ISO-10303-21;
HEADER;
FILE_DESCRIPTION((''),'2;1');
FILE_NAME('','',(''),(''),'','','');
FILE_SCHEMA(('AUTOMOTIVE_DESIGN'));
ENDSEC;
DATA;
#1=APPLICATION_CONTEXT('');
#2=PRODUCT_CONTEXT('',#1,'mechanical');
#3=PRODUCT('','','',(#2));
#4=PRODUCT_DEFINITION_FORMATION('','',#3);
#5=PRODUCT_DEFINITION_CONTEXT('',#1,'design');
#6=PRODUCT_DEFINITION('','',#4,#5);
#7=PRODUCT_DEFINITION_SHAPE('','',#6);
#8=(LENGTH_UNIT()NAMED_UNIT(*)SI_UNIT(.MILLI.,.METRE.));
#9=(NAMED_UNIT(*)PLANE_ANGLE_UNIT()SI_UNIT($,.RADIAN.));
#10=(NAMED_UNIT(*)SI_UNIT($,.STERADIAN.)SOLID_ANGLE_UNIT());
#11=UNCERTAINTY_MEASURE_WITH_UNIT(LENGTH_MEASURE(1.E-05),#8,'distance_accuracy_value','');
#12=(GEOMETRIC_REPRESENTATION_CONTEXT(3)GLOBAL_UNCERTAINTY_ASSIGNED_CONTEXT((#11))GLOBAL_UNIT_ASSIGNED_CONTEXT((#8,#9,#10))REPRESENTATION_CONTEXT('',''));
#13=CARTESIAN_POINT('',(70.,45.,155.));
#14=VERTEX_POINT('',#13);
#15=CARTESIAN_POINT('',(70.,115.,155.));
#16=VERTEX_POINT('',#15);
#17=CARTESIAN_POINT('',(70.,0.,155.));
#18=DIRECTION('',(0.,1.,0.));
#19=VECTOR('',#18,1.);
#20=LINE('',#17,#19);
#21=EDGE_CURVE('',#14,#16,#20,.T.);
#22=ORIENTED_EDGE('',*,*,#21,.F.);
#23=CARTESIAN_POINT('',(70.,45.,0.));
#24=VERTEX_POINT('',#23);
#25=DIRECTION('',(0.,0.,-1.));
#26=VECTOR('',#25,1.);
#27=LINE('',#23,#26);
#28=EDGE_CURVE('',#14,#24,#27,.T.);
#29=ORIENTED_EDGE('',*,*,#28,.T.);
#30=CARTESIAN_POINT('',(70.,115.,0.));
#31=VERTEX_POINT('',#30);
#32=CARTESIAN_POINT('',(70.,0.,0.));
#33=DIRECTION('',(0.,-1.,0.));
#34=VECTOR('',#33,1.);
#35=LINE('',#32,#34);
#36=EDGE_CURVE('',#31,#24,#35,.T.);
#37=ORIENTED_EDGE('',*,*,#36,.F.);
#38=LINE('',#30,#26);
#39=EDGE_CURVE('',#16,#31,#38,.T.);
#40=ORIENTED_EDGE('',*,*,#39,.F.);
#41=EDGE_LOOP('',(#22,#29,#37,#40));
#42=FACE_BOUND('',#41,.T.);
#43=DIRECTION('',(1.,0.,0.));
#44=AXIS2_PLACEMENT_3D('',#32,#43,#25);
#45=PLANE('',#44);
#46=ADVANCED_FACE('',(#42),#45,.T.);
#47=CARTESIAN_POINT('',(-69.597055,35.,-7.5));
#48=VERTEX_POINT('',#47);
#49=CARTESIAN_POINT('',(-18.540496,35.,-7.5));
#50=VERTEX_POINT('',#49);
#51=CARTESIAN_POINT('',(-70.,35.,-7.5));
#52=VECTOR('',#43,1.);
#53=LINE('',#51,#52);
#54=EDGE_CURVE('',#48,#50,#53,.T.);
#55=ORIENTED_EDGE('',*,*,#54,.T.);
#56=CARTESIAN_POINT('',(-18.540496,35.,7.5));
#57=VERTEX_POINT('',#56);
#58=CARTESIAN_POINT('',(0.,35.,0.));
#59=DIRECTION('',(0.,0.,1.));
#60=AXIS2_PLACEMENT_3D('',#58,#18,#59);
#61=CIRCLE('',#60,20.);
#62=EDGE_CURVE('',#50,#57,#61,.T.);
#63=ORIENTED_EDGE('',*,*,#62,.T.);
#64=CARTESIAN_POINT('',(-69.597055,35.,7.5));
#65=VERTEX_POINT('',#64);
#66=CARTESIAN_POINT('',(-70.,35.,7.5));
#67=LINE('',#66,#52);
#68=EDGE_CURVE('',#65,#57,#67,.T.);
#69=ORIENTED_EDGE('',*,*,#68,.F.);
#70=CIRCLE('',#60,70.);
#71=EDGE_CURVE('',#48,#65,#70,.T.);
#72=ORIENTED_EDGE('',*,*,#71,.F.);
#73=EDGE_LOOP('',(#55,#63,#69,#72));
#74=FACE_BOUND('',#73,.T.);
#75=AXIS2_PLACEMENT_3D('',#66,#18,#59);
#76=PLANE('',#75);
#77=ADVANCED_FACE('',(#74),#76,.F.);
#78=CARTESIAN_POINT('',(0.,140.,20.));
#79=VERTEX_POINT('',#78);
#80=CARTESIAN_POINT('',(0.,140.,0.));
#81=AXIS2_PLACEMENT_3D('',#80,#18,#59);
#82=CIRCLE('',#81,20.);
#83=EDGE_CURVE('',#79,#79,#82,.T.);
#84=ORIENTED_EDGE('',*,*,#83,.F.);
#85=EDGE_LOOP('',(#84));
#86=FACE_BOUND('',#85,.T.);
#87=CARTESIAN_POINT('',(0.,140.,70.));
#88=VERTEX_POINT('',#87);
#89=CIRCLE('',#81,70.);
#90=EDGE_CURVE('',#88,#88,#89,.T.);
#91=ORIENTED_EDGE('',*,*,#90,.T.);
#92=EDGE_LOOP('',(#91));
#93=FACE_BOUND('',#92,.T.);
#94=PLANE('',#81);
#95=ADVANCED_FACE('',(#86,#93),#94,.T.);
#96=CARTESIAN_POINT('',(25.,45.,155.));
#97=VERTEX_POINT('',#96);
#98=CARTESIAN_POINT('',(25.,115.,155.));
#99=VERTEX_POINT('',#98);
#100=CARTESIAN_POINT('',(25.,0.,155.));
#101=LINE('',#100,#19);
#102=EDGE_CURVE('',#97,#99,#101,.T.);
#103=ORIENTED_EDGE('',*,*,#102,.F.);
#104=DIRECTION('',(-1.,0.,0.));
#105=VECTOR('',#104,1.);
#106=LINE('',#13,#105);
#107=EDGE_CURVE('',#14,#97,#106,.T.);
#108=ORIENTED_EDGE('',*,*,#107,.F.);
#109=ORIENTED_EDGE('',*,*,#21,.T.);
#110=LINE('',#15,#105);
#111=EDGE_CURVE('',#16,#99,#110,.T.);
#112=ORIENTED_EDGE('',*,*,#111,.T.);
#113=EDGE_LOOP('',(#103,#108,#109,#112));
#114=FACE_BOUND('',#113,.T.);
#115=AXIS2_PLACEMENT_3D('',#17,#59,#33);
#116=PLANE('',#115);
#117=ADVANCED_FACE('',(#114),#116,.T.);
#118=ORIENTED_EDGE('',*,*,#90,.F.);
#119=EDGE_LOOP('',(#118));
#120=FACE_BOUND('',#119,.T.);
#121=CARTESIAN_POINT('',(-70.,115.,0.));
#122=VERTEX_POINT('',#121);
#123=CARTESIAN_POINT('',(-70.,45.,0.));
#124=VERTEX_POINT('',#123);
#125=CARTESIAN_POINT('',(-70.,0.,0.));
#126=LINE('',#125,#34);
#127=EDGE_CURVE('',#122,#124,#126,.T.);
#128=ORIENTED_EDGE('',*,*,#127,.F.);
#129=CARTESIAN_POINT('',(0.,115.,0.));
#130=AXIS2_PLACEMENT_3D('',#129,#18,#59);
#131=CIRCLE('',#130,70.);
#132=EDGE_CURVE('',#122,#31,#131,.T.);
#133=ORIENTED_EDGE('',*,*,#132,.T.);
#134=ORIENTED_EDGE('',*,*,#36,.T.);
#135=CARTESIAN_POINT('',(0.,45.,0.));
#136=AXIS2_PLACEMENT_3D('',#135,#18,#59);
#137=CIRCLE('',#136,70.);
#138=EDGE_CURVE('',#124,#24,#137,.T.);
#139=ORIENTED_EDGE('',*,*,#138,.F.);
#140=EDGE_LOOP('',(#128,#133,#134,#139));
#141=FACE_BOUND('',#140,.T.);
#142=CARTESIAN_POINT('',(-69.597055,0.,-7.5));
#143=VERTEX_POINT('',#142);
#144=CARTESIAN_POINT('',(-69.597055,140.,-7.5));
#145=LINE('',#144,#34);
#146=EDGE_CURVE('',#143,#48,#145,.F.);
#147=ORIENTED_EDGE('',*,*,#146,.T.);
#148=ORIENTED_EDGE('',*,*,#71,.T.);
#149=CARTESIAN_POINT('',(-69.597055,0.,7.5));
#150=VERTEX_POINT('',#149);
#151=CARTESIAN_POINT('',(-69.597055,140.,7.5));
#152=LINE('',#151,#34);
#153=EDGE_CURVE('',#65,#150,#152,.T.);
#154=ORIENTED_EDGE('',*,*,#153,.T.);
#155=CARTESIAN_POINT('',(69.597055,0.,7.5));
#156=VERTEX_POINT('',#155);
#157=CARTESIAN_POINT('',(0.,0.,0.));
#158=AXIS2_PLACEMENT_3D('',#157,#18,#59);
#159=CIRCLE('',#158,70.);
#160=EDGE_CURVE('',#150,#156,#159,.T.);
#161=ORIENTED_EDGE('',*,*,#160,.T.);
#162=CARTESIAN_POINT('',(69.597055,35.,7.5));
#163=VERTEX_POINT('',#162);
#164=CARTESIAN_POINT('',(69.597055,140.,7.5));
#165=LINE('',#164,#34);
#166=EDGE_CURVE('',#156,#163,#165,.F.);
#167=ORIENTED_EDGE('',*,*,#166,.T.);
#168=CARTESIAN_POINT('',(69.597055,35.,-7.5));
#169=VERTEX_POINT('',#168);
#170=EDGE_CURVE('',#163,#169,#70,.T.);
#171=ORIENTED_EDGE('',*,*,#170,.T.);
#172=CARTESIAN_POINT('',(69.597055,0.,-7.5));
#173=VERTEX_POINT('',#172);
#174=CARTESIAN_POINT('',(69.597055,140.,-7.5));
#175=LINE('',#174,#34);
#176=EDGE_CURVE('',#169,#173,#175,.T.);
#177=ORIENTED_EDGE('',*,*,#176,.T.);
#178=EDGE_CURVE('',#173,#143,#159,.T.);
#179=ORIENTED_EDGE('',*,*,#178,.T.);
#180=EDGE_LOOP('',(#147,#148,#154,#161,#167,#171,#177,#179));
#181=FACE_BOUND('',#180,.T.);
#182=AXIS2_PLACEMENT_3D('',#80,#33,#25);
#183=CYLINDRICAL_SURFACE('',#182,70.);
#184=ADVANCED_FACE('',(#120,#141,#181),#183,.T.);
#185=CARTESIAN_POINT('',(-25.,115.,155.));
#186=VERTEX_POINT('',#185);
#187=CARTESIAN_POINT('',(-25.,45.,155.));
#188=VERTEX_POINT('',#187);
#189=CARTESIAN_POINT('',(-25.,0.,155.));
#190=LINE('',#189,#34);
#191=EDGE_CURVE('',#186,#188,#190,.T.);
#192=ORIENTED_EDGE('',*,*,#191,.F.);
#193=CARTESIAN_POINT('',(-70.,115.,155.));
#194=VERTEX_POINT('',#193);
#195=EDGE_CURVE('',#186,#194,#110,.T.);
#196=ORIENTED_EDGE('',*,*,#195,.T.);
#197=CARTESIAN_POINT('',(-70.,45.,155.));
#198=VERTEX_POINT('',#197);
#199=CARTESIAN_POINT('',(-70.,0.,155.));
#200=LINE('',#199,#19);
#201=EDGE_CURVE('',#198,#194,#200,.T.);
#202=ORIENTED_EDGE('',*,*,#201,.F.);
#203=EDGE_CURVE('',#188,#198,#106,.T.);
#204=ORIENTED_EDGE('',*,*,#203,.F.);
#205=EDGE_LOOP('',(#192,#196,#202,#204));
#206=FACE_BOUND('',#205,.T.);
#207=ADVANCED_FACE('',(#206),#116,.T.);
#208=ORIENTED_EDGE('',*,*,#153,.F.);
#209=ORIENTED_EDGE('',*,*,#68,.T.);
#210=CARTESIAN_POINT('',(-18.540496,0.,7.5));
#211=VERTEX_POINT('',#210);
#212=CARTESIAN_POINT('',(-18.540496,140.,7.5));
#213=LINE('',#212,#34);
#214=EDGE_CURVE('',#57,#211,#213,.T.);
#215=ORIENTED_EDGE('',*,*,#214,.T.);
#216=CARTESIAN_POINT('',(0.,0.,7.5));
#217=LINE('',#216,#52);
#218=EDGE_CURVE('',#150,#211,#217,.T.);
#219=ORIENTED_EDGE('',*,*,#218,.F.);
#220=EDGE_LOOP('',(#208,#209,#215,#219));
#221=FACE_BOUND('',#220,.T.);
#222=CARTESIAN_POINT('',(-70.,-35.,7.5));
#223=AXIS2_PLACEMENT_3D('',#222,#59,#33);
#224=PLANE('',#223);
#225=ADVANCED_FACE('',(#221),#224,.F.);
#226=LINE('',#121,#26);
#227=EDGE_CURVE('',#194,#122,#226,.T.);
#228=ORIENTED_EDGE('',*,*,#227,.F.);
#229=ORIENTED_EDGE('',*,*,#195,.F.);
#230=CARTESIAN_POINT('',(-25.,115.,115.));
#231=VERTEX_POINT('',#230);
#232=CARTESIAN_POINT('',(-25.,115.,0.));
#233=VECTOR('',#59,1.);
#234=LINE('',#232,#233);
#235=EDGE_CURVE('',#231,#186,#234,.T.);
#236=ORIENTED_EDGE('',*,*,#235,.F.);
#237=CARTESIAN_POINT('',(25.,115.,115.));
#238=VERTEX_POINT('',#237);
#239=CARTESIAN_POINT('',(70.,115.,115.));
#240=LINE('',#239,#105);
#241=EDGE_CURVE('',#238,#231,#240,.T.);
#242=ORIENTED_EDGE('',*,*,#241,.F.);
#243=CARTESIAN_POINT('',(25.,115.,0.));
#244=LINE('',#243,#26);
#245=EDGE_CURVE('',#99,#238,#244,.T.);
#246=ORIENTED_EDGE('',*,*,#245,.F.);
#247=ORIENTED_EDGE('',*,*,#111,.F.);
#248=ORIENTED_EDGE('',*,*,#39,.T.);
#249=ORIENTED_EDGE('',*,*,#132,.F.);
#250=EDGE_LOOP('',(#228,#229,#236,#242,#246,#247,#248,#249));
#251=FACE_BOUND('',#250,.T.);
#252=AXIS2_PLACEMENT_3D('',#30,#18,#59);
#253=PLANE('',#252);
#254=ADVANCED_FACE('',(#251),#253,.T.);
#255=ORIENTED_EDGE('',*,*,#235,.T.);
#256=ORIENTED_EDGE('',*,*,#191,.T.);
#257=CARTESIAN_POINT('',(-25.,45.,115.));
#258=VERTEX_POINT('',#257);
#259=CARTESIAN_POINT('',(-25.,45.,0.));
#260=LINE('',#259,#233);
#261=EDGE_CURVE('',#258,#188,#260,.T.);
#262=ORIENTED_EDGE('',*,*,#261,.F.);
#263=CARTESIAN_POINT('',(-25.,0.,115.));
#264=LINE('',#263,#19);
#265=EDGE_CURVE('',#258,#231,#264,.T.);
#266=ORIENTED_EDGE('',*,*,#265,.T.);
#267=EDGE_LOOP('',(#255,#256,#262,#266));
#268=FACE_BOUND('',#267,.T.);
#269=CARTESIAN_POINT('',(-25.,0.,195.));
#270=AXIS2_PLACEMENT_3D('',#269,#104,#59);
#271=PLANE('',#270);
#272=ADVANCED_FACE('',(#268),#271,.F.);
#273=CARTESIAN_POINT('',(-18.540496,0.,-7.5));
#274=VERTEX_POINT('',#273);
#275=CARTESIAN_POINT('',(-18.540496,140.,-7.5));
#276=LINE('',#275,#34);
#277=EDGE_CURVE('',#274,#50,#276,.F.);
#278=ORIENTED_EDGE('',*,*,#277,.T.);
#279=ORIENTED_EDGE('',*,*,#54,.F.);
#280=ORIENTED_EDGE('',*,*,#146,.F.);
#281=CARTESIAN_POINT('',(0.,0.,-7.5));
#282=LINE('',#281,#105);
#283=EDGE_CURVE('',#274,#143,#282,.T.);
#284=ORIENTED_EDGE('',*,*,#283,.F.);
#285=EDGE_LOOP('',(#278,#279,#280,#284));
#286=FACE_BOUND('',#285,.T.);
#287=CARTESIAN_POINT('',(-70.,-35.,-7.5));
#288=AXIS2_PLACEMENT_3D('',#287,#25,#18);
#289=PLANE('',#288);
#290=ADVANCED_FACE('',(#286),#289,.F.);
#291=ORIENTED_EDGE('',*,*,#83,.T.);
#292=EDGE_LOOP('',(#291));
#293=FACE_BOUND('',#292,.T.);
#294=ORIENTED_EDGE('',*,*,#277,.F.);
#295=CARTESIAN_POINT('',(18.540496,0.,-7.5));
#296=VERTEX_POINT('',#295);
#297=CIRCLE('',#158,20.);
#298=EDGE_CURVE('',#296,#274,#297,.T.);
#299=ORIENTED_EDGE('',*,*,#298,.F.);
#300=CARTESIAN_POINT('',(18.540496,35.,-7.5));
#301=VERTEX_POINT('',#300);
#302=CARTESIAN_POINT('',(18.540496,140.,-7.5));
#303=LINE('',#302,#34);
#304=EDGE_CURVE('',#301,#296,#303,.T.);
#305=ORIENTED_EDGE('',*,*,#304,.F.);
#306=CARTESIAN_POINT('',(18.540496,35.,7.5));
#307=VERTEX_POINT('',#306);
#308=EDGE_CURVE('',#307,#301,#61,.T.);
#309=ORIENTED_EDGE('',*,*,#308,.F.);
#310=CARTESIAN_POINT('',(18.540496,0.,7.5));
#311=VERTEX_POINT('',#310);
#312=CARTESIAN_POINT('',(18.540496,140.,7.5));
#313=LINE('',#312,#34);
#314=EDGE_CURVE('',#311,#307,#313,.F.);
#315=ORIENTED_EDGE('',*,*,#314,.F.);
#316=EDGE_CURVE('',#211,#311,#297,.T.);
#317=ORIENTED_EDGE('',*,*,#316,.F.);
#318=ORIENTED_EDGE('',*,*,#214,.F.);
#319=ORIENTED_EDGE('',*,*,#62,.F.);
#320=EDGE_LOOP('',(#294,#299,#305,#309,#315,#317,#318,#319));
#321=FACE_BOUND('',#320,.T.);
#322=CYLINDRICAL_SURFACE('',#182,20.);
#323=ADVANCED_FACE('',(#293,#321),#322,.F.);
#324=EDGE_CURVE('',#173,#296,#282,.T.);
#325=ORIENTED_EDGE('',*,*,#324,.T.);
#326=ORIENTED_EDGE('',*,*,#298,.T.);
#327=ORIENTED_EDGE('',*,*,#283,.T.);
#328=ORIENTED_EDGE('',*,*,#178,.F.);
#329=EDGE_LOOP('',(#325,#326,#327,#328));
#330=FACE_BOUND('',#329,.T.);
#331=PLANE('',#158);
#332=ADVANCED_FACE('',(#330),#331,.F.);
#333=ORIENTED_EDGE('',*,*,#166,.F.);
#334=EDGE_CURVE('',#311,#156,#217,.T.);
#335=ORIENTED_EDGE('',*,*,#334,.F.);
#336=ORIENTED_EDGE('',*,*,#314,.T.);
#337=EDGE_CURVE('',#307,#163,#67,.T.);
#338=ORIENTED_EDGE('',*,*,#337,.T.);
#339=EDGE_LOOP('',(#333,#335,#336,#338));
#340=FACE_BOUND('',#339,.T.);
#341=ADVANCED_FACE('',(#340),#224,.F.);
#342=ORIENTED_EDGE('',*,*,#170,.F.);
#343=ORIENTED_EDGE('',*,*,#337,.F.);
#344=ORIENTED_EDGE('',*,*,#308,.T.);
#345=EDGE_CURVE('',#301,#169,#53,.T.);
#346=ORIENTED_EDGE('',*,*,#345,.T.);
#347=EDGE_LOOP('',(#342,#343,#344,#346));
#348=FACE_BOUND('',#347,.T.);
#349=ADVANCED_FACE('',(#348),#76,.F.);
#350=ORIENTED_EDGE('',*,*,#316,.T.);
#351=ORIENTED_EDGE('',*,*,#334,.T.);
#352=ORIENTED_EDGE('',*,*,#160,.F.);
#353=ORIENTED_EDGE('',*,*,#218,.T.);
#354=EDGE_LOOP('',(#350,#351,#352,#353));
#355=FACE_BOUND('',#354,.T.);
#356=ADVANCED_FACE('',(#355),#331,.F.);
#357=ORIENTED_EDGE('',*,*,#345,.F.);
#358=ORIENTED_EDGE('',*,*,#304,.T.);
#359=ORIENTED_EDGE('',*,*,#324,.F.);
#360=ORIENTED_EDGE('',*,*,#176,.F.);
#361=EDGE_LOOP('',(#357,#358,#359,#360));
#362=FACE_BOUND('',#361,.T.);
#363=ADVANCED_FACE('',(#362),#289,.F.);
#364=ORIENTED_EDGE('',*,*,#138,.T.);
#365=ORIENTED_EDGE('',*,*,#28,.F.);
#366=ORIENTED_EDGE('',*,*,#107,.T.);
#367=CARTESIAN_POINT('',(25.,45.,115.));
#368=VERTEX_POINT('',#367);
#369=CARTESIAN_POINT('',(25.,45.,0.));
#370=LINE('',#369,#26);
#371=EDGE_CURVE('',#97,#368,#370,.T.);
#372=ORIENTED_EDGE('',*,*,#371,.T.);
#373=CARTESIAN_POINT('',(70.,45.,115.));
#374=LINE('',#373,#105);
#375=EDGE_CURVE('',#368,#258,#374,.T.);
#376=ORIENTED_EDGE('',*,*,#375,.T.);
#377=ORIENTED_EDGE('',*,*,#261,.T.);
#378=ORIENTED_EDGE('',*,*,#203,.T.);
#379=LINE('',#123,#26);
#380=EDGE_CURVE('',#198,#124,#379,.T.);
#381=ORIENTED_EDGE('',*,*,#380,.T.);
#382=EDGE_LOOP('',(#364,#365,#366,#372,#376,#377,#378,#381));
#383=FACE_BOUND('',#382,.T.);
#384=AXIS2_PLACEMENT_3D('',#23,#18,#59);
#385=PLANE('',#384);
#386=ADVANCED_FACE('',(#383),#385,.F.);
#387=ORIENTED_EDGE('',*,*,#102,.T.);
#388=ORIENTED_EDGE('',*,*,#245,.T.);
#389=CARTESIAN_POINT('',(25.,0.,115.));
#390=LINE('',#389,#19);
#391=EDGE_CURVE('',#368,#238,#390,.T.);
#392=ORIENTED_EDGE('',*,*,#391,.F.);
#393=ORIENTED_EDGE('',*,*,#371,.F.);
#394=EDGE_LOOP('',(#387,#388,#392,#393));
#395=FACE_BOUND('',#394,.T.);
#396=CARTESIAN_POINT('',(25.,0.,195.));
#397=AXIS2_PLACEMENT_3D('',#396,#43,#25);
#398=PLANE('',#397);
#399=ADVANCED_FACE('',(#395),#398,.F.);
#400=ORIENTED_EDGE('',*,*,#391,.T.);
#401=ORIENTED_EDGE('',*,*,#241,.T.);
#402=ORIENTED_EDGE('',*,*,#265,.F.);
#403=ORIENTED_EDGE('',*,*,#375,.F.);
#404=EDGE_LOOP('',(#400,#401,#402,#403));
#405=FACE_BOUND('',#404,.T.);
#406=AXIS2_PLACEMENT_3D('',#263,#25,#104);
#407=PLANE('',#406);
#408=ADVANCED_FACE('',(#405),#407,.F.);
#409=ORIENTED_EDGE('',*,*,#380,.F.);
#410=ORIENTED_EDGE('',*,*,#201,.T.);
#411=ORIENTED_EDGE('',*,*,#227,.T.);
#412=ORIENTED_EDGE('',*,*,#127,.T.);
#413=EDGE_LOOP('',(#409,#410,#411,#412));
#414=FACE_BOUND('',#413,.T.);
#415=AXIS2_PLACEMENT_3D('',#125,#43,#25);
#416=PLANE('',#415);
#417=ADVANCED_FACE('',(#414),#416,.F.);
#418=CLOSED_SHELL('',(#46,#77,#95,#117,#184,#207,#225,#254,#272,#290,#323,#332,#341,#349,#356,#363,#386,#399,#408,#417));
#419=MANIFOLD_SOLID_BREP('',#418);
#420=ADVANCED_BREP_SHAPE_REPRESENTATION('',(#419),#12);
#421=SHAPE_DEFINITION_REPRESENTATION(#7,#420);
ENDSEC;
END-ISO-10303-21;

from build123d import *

# Parameters (mm, degrees)
ESQUISSE2_R                  = 70
ESQUISSE2_R_2                = 20
BOSS_EXTRU_1_DEPTH           = 140
ENL_V_MAT_EXTRU_1_DEPTH      = 172.464281995
ENL_V_MAT_EXTRU_1_DEPTH_BACK = 172.464281995
ESQUISSE3_W                  = 15
ESQUISSE3_H                  = 70
ESQUISSE7_W                  = 155
ESQUISSE7_H                  = 70
BOSS_EXTRU_3_DEPTH           = 70
ENL_V_MAT_EXTRU_5_DEPTH      = 206.304651676
ENL_V_MAT_EXTRU_5_DEPTH_BACK = 206.304651676
ESQUISSE11_W                 = 50
ESQUISSE11_H                 = 80
ESQUISSE10_R                 = 20
ENL_V_MAT_EXTRU_4_DEPTH      = 180


with BuildPart() as part:
    # Esquisse2 → Boss.-Extru.1 (new body)
    with BuildSketch(Plane(origin=(0, 0, 0), x_dir=(1, 0, 0), z_dir=(0, 1, 0))):
        with Locations(Location((0, 0, 0), (0, 0, 270))):
            Circle(ESQUISSE2_R)
        with Locations(Location((0, 0, 0), (0, 0, 270))):
            Circle(ESQUISSE2_R_2, mode=Mode.SUBTRACT)
    extrude(amount=BOSS_EXTRU_1_DEPTH)

    # Esquisse3 → Enlèv. mat.-Extru.1 (cut, two sides: drawn at the far end of the back side and taken through both)
    with BuildSketch(Plane(origin=(0, 0, 0), x_dir=(0, 0, -1), z_dir=(1, 0, 0)).offset(-ENL_V_MAT_EXTRU_1_DEPTH_BACK)):
        Rectangle(ESQUISSE3_W, ESQUISSE3_H)
    extrude(amount=ENL_V_MAT_EXTRU_1_DEPTH + ENL_V_MAT_EXTRU_1_DEPTH_BACK, mode=Mode.SUBTRACT)

    # Esquisse7 → Boss.-Extru.3 (add, symmetric)
    with BuildSketch(Plane(origin=(0, 0, 0), x_dir=(0, 0, -1), z_dir=(1, 0, 0))):
        with Locations((-77.5, 80)):
            Rectangle(ESQUISSE7_W, ESQUISSE7_H)
    extrude(amount=BOSS_EXTRU_3_DEPTH, both=True)

    # Esquisse11 → Enlèv. mat.-Extru.5 (cut, two sides: drawn at the far end of the back side and taken through both)
    with BuildSketch(Plane(origin=(0, 115, 0), x_dir=(1, 0, 0), z_dir=(0, 1, 0)).offset(-ENL_V_MAT_EXTRU_5_DEPTH_BACK)):
        with Locations((0, -155)):
            Rectangle(ESQUISSE11_W, ESQUISSE11_H)
    extrude(amount=ENL_V_MAT_EXTRU_5_DEPTH + ENL_V_MAT_EXTRU_5_DEPTH_BACK, mode=Mode.SUBTRACT)

    # Esquisse10 → Enlèv. mat.-Extru.4 (cut, symmetric)
    with BuildSketch(Plane(origin=(0, 140, 0), x_dir=(1, 0, 0), z_dir=(0, 1, 0))):
        with Locations(Location((0, 0, 0), (0, 0, 22.024312837))):
            Circle(ESQUISSE10_R)
    extrude(amount=ENL_V_MAT_EXTRU_4_DEPTH, both=True, mode=Mode.SUBTRACT)


solid = part.part
